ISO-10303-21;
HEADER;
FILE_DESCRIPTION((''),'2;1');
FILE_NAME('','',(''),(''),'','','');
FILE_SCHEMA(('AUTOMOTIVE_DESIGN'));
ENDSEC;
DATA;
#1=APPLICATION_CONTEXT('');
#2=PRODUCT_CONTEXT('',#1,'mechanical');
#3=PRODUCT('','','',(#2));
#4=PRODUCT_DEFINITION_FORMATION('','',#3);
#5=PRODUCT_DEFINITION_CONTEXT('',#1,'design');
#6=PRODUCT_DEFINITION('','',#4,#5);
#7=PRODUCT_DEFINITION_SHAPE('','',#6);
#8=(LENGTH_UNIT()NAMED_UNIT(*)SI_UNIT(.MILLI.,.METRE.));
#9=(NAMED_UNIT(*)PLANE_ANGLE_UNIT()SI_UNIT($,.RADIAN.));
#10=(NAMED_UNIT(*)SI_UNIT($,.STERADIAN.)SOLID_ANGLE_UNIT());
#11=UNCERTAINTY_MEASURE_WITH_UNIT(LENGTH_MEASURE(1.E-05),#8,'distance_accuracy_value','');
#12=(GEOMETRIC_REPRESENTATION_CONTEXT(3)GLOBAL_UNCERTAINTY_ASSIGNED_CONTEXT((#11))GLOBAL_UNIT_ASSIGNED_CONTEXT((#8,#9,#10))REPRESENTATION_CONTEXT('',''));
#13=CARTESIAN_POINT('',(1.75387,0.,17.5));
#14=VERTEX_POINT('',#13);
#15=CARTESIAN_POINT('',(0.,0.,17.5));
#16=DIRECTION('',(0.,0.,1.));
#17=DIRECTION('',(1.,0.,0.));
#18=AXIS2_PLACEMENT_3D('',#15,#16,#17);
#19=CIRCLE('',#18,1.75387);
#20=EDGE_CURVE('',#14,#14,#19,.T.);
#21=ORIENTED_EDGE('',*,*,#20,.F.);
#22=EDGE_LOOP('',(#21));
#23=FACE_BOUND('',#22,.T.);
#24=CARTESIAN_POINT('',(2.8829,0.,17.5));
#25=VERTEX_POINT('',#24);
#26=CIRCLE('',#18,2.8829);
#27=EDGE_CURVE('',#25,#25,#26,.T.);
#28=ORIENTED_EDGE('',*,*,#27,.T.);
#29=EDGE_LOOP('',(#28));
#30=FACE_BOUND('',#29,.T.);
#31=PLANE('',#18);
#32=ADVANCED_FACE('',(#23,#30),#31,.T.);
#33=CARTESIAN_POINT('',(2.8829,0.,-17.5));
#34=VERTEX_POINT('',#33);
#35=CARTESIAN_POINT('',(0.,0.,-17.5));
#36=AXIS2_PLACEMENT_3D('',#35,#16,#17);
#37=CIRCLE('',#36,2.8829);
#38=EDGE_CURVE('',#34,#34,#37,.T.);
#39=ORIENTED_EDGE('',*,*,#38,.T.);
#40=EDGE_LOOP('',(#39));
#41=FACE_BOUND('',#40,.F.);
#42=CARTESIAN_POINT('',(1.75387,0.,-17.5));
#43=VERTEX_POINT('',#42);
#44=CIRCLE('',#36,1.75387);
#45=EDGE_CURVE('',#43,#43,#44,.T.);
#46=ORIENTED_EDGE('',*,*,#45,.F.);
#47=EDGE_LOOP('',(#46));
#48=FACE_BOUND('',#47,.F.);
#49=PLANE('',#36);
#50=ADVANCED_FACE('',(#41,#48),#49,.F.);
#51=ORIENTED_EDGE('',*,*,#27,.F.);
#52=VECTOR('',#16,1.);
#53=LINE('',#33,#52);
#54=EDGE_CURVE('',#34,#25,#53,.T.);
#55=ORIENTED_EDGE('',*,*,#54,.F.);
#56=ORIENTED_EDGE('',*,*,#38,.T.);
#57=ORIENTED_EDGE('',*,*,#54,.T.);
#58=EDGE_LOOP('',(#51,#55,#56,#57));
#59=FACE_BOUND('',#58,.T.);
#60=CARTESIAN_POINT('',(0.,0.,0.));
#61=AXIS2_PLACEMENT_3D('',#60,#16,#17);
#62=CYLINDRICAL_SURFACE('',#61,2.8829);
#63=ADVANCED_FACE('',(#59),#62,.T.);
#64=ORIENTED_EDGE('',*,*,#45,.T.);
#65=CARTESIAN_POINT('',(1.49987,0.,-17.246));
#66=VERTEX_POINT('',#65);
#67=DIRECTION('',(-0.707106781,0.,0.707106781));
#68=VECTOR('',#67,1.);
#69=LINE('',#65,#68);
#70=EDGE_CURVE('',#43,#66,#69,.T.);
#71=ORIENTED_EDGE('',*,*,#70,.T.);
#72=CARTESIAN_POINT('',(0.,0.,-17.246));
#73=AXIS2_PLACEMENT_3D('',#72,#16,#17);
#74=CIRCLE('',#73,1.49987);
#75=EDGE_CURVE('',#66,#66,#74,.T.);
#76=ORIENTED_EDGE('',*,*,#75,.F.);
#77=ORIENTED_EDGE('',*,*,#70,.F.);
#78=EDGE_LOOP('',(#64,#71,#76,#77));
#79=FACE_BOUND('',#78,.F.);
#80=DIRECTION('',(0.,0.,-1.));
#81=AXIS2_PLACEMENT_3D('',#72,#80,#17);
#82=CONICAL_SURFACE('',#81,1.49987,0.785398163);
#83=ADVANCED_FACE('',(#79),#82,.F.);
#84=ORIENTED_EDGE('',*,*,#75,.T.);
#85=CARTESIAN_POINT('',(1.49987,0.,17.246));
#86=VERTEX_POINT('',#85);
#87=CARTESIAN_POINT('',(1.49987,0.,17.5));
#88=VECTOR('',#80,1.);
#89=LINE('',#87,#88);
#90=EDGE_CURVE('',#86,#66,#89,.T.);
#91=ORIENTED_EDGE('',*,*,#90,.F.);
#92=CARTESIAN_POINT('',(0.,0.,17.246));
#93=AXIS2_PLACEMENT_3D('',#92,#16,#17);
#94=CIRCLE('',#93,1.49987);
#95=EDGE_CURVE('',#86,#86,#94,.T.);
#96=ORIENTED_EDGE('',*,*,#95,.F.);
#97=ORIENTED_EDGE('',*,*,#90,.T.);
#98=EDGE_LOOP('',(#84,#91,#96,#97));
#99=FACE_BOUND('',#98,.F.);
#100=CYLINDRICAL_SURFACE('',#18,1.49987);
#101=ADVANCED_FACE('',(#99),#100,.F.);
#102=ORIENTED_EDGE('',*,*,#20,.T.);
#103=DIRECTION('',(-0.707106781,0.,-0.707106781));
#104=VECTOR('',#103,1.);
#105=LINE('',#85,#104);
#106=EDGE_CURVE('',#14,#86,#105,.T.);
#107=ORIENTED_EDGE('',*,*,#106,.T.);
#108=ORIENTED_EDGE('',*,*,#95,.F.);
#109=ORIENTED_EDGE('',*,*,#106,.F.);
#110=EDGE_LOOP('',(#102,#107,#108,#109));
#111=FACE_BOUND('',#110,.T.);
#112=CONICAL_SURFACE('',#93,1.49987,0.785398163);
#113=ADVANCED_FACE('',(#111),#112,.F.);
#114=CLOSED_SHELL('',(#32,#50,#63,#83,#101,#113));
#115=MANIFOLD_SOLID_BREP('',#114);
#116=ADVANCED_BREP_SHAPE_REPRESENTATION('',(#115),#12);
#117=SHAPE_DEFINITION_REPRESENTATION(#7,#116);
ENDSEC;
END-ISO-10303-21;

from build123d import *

# Parameters (mm, degrees)
F0_R     = 2.8829
F1_DEPTH = 17.5
F2_R     = 1.49987
F3_DEPTH = 35.001
F4_SIZE  = 0.254


with BuildPart() as f1:
    # F0 (on Top) → F1 (new body, symmetric)
    with BuildSketch(Plane.XY):
        Circle(F0_R)
    extrude(amount=F1_DEPTH, both=True)

    # F2 (on face) → F3 (cut, through all)
    with BuildSketch(Plane.XY.offset(17.5)):
        Circle(F2_R)
    extrude(amount=-F3_DEPTH, mode=Mode.SUBTRACT)

    # F4
    f4_edges = [f1.edges().sort_by_distance(p)[0] for p in [
        (-1.49987, 0, 17.5),
        (-1.49987, 0, -17.5),
    ]]
    chamfer(f4_edges, length=F4_SIZE)


solid = f1.part
